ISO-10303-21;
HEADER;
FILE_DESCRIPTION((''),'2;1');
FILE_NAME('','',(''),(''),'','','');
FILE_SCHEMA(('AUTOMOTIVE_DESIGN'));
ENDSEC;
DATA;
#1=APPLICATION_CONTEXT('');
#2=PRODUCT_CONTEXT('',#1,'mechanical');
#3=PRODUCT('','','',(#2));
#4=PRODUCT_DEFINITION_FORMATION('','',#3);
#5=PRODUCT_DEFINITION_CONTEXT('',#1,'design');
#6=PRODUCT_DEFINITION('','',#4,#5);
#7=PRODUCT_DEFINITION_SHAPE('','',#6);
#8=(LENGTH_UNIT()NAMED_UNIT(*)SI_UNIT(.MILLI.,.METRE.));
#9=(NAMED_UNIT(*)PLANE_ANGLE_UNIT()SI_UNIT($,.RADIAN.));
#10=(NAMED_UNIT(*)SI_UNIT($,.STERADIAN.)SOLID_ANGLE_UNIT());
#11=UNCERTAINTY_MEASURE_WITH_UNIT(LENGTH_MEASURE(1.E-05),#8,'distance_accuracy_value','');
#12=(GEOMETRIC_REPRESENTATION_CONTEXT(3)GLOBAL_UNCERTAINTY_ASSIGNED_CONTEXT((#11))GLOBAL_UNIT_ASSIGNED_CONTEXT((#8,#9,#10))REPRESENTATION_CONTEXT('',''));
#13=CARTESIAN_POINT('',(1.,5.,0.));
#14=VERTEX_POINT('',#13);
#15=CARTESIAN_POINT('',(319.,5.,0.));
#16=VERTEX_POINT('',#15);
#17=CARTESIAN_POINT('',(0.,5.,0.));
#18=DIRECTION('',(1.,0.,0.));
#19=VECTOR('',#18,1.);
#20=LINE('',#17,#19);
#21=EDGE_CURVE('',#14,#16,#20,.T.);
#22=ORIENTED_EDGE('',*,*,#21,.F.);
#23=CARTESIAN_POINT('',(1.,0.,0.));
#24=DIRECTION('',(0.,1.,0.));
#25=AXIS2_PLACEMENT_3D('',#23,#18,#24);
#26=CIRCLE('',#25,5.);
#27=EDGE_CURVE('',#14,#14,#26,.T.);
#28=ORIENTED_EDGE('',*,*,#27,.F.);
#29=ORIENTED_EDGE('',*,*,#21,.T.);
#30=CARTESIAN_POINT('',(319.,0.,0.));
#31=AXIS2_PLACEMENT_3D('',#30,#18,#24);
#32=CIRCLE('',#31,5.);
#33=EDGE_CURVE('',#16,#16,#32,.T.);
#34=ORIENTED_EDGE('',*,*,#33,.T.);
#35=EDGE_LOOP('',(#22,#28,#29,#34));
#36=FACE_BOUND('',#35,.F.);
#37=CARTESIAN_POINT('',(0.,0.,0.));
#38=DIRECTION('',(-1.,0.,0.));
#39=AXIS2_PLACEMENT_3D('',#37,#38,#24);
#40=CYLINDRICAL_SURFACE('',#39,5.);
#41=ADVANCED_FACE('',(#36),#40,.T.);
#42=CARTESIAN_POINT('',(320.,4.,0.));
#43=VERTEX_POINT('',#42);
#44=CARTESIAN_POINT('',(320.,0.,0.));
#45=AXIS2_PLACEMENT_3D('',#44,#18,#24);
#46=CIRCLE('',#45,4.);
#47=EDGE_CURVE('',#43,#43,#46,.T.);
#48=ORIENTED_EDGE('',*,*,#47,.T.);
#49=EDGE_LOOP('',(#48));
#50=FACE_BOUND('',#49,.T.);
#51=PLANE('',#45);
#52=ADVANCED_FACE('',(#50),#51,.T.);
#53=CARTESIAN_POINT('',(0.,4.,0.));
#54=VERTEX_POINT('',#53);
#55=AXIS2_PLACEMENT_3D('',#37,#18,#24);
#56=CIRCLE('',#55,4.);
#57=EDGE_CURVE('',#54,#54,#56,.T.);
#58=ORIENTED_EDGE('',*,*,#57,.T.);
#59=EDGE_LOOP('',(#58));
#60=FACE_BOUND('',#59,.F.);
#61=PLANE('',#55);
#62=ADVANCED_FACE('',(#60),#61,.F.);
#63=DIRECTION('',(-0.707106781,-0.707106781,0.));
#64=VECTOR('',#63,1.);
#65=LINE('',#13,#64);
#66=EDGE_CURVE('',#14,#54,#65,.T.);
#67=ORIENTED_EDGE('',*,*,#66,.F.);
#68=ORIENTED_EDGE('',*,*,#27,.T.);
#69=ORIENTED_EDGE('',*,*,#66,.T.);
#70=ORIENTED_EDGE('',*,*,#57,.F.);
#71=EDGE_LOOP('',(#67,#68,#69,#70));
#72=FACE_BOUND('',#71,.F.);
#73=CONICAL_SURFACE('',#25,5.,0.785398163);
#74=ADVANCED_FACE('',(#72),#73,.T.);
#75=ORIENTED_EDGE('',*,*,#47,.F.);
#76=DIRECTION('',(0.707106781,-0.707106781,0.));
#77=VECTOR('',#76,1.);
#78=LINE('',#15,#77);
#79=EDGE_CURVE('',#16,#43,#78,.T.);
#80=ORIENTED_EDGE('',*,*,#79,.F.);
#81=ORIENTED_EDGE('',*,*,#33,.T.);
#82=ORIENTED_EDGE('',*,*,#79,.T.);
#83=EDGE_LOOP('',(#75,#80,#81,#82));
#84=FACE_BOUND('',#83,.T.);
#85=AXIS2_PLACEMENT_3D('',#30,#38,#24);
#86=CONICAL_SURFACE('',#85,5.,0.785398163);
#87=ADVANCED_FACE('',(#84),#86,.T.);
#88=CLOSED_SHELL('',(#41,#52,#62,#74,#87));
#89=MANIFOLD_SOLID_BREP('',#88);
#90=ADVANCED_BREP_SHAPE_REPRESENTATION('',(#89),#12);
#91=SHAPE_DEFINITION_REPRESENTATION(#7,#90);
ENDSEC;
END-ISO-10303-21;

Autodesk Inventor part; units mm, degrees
ref_plane "YZ Plane" through (0, 0, 0) normal (1, 0, 0) x (0, 1, 0)
ref_plane "XZ Plane" through (0, 0, 0) normal (0, 1, 0) x (-1, 0, 0)
ref_plane "XY Plane" through (0, 0, 0) normal (0, 0, 1) x (1, 0, 0)
sketch "Sketch2" plane through (0, 0, 0) normal (1, 0, 0) x (0, 1, 0)
  circle A0 centre (0, 0) radius 5
  dimension "d6" = 10
extrude "Extrusion2" add sketch "Sketch2" along normal blind 320
chamfer "Chamfer2" distance 1 angle 45 2 edges at (0, -5, 0) (320, -5, 0)
properties part number "Staaf"
